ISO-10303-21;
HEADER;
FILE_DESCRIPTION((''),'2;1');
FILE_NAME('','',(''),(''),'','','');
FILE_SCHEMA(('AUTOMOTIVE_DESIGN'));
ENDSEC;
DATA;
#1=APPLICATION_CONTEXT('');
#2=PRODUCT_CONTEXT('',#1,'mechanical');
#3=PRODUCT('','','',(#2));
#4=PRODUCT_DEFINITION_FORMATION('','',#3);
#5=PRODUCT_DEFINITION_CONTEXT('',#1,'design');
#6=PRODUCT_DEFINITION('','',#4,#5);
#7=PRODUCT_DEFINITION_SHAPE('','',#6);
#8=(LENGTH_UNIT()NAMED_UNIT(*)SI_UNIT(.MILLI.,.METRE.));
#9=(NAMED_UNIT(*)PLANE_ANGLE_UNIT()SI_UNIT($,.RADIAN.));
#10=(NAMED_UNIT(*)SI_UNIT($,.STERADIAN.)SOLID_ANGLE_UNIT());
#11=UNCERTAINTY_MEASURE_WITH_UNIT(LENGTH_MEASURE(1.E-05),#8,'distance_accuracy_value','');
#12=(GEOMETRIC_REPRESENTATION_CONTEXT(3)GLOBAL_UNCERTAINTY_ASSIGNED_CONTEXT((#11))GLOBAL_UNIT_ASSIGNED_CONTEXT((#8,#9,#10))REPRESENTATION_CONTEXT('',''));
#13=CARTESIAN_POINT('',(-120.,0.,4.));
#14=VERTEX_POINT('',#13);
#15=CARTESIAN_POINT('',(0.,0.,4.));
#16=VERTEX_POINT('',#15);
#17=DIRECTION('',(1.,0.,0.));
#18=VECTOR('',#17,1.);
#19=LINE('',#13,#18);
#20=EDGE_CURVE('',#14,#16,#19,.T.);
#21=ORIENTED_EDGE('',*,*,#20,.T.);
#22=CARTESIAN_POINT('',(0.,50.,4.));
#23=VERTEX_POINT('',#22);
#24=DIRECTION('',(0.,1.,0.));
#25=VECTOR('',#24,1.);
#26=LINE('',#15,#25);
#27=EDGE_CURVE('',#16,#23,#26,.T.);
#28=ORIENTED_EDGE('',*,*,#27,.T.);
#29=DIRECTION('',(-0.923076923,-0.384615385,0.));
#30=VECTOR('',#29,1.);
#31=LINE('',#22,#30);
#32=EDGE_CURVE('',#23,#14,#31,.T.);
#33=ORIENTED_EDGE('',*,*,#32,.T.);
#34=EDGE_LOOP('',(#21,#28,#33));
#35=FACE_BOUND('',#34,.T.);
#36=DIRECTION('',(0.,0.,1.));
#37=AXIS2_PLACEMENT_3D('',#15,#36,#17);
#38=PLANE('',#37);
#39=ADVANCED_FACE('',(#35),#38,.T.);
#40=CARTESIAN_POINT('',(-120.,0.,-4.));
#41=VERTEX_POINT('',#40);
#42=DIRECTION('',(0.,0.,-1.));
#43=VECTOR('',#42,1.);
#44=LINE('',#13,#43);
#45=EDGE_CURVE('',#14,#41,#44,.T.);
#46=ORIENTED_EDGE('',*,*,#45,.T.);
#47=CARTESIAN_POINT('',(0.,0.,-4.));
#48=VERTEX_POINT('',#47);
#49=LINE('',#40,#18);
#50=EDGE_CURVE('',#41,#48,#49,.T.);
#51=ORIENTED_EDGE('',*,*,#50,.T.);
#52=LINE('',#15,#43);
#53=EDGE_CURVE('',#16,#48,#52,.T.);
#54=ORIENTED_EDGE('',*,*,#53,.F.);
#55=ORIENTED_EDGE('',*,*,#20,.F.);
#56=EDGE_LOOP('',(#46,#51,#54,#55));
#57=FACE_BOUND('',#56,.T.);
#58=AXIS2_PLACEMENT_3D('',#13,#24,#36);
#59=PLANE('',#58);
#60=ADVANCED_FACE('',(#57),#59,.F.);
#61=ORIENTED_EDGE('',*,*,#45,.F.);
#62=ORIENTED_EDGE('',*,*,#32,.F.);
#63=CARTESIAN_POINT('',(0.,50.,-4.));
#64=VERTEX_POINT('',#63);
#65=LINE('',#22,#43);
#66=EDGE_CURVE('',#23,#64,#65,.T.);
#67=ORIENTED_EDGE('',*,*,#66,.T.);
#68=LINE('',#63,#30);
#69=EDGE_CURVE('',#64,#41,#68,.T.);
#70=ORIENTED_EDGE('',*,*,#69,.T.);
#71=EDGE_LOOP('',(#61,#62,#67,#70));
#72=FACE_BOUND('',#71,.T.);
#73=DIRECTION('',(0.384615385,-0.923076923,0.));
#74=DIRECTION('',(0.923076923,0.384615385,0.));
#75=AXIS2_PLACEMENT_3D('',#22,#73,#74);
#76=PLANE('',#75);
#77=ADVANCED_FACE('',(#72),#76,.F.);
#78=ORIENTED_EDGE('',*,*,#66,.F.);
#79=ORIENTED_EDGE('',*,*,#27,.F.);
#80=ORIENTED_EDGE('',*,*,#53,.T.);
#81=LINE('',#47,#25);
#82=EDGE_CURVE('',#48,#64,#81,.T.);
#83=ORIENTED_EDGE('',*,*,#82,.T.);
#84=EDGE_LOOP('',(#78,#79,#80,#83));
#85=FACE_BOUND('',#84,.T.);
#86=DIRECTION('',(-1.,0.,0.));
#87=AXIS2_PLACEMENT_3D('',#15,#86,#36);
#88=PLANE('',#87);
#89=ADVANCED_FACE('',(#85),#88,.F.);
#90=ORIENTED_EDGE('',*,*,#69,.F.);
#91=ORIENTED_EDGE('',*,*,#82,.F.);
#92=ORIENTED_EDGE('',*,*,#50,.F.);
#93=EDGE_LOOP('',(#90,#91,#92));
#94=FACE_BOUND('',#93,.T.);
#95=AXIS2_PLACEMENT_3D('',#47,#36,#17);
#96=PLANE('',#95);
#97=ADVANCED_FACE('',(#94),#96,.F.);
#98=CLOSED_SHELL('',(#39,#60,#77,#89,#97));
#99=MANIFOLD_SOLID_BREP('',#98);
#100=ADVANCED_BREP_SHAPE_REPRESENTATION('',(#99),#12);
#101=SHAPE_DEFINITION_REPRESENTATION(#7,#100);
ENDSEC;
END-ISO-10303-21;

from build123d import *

# Parameters (mm, degrees)
AUFSATZ_LINEAR_AUSTRAGEN1_DEPTH = 4


with BuildPart() as part:
    # Skizze1 → Aufsatz-Linear austragen1 (new, symmetric)
    with BuildSketch(Plane.XY):
        Polygon((0, 0), (0, 50), (-120, 0), align=None)
    extrude(amount=AUFSATZ_LINEAR_AUSTRAGEN1_DEPTH, both=True)


solid = part.part
